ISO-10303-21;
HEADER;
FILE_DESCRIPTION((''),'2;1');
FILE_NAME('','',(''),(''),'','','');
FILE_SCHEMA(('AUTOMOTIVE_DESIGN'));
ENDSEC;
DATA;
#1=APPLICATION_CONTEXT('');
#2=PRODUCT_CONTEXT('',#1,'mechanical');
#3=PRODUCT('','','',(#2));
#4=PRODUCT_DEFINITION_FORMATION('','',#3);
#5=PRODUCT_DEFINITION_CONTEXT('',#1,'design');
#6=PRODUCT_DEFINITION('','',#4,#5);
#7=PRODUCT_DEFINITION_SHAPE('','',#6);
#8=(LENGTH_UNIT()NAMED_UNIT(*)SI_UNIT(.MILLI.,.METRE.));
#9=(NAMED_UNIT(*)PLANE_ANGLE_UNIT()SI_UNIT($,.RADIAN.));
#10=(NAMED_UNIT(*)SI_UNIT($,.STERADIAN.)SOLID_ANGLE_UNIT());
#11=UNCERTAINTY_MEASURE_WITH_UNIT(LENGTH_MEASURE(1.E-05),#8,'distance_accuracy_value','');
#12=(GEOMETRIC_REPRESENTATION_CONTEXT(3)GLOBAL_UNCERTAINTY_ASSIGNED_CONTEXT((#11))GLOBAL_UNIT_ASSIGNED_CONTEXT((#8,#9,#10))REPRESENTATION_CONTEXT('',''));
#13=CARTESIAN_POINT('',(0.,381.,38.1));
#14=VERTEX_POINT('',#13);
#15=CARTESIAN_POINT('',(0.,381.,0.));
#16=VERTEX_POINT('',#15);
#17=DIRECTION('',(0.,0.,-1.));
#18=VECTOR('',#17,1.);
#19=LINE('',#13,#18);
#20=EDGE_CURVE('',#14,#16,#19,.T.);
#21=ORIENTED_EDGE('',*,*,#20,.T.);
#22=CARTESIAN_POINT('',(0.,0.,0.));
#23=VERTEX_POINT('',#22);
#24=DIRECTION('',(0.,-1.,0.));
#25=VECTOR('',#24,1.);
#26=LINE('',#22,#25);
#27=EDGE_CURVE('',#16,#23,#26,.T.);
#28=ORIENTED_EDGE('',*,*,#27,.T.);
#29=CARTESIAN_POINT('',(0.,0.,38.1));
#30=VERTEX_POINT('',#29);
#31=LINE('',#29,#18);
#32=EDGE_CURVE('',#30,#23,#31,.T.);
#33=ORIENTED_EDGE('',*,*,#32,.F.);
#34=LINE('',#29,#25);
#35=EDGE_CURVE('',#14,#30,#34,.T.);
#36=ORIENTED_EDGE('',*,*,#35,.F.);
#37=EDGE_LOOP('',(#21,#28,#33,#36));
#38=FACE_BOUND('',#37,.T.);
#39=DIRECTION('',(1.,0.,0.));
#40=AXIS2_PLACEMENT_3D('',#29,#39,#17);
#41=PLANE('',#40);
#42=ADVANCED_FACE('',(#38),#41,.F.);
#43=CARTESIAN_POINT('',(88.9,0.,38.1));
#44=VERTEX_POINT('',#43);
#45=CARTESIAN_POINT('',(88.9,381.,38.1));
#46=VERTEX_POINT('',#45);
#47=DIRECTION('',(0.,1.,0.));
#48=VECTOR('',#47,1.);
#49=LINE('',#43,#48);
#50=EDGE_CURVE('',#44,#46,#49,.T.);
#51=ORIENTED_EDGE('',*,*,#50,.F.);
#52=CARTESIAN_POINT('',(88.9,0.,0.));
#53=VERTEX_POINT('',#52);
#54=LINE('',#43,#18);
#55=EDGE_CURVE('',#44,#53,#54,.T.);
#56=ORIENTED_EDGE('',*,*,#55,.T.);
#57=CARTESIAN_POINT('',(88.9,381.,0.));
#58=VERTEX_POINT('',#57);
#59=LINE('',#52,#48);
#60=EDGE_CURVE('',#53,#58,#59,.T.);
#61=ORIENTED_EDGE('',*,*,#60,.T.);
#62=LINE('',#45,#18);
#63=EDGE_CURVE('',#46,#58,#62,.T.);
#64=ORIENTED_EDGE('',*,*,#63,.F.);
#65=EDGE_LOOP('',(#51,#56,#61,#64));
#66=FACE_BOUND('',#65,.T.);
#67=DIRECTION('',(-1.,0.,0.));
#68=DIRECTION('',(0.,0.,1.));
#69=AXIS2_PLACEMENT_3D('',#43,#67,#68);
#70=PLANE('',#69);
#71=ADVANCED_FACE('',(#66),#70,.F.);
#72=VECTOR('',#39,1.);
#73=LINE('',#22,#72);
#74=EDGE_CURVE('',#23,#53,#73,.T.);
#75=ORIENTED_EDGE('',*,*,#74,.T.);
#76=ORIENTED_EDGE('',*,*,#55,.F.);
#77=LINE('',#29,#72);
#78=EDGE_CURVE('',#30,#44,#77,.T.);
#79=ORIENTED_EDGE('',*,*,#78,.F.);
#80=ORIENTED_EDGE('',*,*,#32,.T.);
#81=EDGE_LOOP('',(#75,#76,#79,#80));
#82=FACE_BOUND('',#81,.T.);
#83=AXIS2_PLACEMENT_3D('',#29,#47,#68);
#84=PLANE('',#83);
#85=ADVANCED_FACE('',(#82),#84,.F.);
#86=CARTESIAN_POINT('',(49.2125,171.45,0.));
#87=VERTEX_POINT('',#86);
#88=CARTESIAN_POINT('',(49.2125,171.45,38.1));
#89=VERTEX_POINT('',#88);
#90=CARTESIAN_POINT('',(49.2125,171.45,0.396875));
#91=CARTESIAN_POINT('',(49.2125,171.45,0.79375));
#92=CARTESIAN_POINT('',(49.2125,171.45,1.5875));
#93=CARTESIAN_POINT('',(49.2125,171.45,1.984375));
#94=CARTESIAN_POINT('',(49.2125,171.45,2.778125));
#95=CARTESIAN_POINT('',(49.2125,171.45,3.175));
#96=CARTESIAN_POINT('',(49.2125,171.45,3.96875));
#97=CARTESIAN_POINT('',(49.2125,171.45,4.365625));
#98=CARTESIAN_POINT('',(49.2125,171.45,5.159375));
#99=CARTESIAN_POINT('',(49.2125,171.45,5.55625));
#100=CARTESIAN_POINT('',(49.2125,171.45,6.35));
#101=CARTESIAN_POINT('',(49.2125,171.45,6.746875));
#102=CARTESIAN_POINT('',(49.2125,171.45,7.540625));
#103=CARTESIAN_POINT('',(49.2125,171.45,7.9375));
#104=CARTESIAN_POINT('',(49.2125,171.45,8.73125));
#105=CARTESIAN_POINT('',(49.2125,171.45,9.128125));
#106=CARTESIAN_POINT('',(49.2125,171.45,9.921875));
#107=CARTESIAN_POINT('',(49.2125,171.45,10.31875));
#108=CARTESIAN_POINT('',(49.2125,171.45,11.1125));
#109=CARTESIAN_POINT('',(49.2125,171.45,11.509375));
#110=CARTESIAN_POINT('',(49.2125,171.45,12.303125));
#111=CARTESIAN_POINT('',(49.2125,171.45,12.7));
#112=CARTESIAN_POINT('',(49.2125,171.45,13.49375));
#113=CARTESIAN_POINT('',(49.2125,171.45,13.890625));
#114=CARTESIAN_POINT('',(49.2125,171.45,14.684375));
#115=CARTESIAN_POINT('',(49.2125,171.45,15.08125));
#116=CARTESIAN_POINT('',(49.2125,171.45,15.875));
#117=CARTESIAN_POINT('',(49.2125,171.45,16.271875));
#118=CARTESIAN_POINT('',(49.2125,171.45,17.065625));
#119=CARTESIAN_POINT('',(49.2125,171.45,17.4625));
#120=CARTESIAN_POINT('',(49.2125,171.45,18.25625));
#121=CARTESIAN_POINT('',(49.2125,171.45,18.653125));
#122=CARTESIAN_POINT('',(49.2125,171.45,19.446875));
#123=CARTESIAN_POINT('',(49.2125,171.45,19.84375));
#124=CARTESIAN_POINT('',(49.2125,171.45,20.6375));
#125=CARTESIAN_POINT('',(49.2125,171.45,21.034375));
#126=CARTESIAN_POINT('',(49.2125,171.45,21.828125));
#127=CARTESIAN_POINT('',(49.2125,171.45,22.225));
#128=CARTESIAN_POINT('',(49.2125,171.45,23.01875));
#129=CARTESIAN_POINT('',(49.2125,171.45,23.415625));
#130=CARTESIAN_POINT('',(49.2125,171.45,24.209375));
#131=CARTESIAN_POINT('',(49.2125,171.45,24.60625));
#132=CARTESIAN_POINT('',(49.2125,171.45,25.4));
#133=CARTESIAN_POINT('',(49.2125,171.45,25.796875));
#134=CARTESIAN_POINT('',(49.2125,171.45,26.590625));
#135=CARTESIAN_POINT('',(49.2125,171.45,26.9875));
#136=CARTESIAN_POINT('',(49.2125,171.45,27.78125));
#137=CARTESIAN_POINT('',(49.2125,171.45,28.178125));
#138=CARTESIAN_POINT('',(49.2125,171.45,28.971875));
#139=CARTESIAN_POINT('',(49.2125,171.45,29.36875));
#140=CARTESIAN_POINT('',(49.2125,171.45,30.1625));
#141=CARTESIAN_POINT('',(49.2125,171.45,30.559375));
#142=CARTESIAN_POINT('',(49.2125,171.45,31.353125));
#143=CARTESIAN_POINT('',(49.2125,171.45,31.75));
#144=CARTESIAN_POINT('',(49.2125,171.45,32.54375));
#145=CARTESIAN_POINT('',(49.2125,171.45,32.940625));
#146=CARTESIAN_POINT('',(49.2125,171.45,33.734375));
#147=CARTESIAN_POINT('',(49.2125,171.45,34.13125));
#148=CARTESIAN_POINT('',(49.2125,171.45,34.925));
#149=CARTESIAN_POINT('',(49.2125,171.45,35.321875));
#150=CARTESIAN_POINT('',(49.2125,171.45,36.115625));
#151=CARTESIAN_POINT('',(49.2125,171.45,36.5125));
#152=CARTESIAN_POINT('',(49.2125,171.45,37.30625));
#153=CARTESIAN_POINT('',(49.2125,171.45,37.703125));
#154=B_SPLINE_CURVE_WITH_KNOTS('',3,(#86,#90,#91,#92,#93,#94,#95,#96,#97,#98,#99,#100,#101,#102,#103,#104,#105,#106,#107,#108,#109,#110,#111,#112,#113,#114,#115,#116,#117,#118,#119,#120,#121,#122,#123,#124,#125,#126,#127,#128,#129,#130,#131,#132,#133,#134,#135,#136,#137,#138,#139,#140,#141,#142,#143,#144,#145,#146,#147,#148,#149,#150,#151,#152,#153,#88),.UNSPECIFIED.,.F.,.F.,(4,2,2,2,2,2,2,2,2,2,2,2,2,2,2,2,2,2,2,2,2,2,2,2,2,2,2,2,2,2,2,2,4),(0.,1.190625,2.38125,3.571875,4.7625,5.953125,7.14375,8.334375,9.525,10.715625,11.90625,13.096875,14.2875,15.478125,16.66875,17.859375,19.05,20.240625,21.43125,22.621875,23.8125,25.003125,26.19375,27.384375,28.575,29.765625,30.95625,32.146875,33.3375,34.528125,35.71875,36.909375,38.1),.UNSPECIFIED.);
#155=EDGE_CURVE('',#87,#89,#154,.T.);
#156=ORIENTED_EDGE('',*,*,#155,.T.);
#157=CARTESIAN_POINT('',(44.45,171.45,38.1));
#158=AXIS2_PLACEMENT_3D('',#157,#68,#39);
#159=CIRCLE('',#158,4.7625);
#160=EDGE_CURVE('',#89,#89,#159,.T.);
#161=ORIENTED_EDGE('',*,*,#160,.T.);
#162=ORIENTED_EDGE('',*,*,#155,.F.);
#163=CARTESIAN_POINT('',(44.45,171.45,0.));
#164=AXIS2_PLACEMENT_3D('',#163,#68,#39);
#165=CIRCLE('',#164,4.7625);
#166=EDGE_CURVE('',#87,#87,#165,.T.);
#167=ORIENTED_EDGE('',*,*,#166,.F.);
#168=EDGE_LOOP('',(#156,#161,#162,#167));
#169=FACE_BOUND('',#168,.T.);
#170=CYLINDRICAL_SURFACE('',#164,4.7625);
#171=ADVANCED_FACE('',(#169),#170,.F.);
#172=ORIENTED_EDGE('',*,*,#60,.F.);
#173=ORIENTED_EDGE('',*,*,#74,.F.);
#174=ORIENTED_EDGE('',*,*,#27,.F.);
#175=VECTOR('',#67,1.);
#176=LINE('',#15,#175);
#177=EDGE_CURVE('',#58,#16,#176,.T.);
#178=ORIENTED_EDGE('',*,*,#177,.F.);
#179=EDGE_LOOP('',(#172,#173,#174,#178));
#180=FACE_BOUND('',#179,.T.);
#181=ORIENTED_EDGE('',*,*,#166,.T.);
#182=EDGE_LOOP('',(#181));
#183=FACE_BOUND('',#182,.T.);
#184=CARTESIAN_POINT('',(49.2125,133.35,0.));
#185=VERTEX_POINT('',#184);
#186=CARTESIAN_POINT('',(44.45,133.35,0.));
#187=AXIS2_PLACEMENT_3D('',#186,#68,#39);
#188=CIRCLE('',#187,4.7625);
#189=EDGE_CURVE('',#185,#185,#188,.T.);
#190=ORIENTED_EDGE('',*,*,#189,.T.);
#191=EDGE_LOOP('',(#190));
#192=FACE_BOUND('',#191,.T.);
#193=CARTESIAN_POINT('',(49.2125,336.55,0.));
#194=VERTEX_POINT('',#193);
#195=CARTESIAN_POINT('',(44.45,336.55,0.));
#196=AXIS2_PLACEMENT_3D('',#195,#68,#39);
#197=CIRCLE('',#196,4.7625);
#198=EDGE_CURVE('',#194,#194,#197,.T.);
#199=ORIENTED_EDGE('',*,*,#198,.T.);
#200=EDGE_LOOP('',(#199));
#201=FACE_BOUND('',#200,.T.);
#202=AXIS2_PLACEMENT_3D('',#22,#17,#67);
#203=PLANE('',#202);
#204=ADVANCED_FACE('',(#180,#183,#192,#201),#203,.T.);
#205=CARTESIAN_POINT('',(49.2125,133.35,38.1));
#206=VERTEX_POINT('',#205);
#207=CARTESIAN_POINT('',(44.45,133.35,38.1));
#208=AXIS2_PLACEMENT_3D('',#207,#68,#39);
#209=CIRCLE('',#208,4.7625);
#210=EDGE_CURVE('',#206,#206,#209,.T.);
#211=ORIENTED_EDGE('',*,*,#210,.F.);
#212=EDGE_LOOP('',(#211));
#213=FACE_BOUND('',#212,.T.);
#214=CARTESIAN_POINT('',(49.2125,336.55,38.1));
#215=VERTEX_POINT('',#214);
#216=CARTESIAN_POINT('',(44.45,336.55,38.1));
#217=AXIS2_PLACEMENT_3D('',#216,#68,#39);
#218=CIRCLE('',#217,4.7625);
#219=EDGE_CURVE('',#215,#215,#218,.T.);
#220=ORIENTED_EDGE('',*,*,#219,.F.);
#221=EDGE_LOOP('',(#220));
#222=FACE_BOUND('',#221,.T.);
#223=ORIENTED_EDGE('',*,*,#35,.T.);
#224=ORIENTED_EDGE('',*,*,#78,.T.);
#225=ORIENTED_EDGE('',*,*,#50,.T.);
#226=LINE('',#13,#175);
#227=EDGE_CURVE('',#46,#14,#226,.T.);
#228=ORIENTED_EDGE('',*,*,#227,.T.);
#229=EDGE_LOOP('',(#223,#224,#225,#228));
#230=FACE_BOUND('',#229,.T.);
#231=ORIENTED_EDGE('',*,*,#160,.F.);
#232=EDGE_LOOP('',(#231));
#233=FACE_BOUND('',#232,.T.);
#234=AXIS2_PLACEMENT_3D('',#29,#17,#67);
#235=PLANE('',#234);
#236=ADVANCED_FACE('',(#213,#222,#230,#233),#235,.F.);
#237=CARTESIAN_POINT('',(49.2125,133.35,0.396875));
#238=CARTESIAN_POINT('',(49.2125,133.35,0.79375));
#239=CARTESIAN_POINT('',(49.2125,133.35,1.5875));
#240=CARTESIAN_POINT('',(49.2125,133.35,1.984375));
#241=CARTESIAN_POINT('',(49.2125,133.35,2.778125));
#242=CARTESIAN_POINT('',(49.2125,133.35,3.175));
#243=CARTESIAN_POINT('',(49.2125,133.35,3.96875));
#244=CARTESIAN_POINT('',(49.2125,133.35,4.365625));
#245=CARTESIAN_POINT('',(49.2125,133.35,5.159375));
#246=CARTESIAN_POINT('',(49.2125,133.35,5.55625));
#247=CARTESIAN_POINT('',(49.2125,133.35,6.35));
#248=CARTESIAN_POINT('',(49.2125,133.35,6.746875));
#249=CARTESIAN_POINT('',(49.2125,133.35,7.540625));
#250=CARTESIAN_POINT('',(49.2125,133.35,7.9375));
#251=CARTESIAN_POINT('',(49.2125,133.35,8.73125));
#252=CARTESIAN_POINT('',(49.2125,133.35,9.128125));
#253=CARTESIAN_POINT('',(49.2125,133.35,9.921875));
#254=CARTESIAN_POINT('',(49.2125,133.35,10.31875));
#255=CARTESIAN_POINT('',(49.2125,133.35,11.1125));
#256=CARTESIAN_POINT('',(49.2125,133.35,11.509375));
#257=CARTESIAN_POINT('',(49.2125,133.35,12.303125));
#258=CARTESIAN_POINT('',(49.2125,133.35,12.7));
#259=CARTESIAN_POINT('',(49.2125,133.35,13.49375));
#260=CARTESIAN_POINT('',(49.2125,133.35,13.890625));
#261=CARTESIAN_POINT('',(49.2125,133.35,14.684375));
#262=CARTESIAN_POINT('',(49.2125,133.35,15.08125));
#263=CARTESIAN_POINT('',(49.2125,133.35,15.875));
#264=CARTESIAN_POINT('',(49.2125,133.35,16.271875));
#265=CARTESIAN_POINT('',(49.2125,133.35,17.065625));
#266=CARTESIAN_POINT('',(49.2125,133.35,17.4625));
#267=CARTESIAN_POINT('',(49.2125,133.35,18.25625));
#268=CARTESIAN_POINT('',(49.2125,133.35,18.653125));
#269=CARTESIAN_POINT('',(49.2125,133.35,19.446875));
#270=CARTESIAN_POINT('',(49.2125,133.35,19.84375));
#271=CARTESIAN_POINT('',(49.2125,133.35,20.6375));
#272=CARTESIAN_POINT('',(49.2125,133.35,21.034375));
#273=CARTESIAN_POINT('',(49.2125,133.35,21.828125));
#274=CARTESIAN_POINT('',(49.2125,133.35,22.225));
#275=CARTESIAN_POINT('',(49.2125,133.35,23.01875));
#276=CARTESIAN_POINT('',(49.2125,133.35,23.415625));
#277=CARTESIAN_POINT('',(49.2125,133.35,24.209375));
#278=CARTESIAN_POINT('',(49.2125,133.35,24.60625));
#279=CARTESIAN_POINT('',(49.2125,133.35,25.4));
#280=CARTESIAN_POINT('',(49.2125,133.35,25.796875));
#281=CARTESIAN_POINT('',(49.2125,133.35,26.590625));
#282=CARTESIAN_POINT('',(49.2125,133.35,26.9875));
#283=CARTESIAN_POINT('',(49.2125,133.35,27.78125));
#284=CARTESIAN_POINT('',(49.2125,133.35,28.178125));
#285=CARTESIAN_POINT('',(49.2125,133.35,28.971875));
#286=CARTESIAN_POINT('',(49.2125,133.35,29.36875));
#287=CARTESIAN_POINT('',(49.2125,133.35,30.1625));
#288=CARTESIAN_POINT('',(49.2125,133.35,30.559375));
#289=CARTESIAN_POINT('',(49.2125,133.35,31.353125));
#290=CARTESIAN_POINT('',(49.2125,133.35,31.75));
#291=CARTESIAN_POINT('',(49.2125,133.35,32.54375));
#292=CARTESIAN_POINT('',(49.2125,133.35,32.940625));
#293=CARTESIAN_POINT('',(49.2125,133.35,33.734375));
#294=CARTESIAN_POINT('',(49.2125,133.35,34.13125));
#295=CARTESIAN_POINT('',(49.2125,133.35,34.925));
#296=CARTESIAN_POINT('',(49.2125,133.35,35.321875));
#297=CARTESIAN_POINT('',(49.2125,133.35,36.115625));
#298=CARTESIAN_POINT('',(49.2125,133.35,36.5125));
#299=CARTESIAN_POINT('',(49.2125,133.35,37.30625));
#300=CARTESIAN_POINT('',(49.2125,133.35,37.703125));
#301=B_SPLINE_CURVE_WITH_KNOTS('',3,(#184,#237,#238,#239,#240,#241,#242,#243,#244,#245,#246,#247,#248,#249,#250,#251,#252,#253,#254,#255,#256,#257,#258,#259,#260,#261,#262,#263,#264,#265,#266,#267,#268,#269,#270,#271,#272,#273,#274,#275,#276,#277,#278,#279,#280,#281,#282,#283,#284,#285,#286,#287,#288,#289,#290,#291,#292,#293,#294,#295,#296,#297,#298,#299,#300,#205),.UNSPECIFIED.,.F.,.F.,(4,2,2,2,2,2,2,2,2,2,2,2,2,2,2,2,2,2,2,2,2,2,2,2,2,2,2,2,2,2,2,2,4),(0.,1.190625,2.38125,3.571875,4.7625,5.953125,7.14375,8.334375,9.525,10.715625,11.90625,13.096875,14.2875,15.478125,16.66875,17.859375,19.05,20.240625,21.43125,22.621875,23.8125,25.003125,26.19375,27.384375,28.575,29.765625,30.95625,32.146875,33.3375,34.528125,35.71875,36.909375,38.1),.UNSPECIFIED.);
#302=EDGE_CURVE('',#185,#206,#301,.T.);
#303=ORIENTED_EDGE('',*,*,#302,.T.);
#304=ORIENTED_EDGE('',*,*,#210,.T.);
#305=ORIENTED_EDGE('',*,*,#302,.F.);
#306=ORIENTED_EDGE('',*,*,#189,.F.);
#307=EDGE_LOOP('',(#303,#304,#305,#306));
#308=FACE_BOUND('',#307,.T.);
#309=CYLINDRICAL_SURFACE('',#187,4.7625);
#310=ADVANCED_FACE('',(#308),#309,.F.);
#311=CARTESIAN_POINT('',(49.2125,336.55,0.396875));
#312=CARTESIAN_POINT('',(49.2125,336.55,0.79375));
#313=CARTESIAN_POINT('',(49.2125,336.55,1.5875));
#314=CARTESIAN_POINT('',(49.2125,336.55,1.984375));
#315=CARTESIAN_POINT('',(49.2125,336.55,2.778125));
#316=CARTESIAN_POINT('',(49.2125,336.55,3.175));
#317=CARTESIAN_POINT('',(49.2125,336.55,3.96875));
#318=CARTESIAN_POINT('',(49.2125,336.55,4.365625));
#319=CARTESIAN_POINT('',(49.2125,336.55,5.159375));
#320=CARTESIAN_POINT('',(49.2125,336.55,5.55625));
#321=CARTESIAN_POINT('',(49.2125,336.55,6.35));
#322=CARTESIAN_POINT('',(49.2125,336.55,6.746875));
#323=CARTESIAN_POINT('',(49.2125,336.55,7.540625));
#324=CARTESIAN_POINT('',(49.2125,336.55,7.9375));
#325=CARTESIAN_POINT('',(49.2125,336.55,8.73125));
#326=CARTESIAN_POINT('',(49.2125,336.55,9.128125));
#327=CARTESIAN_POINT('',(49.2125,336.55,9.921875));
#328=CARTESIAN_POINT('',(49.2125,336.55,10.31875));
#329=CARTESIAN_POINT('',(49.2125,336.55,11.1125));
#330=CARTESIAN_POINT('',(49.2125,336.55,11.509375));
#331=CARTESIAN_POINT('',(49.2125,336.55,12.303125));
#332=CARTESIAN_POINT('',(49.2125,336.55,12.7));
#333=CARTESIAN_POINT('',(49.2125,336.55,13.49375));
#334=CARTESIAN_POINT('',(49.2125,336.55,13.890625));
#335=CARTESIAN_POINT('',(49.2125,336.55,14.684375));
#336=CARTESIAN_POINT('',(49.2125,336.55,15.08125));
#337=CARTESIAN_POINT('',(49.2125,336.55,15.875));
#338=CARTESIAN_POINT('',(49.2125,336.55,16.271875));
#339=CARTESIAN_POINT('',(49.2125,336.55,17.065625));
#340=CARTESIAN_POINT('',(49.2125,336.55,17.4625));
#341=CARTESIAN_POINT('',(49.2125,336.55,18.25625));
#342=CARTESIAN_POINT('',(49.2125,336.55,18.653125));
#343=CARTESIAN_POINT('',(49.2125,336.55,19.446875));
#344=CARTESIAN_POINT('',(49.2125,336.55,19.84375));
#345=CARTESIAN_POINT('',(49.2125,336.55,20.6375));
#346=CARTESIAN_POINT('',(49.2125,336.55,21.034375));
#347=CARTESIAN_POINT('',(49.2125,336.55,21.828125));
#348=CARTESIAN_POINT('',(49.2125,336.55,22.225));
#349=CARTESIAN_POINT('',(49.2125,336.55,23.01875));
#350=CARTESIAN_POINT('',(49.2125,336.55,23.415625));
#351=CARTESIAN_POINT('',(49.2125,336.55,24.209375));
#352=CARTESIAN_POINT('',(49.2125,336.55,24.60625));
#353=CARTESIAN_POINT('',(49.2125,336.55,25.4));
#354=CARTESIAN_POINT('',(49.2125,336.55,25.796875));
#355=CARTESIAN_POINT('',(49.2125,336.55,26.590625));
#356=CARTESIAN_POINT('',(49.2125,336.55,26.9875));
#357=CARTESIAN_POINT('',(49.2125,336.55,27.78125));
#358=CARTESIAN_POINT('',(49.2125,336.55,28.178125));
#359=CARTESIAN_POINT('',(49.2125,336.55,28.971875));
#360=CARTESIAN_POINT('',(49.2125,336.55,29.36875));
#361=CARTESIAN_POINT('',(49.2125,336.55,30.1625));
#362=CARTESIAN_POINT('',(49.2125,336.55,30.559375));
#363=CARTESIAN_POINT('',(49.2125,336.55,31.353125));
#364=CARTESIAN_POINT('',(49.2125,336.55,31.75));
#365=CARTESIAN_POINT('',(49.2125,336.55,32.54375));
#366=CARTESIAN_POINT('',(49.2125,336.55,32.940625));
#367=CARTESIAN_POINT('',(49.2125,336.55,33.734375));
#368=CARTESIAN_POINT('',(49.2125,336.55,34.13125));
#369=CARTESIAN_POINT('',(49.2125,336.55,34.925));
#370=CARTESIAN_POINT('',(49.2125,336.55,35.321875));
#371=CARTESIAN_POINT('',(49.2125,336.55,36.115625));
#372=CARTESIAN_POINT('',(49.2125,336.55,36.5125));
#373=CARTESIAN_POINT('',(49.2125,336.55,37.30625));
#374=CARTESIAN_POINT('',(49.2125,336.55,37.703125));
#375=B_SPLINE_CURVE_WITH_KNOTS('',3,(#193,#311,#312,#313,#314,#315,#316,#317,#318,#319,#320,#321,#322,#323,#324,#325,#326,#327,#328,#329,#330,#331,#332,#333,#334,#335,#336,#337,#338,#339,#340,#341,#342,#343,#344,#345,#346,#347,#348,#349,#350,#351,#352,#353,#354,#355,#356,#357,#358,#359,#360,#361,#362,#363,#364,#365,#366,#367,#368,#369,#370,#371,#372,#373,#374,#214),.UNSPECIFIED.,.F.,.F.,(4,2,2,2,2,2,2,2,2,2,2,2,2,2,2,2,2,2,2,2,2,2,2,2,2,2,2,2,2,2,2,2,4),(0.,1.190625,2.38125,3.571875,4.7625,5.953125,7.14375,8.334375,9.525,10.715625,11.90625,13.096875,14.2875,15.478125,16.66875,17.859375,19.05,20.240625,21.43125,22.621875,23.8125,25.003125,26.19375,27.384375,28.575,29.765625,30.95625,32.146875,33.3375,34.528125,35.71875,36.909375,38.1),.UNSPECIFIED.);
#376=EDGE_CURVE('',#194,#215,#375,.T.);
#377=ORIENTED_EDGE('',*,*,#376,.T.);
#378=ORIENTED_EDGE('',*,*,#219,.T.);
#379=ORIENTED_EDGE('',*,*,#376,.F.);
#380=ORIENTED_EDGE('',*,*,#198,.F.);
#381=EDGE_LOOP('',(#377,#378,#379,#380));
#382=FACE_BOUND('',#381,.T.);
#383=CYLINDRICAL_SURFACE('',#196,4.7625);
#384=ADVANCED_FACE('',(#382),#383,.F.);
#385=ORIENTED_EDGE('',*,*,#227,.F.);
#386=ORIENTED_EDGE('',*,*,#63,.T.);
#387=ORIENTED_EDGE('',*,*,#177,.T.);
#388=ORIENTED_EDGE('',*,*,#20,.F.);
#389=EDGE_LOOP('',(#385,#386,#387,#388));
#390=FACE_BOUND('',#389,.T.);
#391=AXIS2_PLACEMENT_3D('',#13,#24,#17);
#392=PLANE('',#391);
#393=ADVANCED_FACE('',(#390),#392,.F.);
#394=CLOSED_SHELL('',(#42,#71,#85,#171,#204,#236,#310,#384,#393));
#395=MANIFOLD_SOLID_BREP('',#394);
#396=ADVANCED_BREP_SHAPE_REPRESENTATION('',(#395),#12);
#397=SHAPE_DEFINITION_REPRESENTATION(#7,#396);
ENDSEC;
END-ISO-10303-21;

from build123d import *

# Parameters (mm, degrees)
SKETCH1_W           = 88.9
SKETCH1_H           = 381
BOSS_EXTRUDE1_DEPTH = 38.1
SKETCH2_R           = 4.7625
CUT_EXTRUDE1_DEPTH  = 394.08500353
SKETCH3_R           = 4.7625
CUT_EXTRUDE2_DEPTH  = 394.08500353
SKETCH4_R           = 4.7625
CUT_EXTRUDE3_DEPTH  = 394.08500353


with BuildPart() as part:
    # Sketch1 → Boss-Extrude1 (new body)
    with BuildSketch(Plane.XY):
        with Locations((44.45, 190.5)):
            Rectangle(SKETCH1_W, SKETCH1_H)
    extrude(amount=BOSS_EXTRUDE1_DEPTH)

    # Sketch2 → Cut-Extrude1 (cut, through all)
    with BuildSketch(Plane.XY.offset(38.1)):
        with Locations((44.45, 133.35)):
            Circle(SKETCH2_R)
    extrude(amount=-CUT_EXTRUDE1_DEPTH, mode=Mode.SUBTRACT)

    # Sketch3 → Cut-Extrude2 (cut, through all)
    with BuildSketch(Plane.XY.offset(38.1)):
        with Locations((44.45, 336.55)):
            Circle(SKETCH3_R)
    extrude(amount=-CUT_EXTRUDE2_DEPTH, mode=Mode.SUBTRACT)

    # Sketch4 → Cut-Extrude3 (cut, through all)
    with BuildSketch(Plane.XY.offset(38.1)):
        with Locations((44.45, 171.45)):
            Circle(SKETCH4_R)
    extrude(amount=-CUT_EXTRUDE3_DEPTH, mode=Mode.SUBTRACT)


solid = part.part
